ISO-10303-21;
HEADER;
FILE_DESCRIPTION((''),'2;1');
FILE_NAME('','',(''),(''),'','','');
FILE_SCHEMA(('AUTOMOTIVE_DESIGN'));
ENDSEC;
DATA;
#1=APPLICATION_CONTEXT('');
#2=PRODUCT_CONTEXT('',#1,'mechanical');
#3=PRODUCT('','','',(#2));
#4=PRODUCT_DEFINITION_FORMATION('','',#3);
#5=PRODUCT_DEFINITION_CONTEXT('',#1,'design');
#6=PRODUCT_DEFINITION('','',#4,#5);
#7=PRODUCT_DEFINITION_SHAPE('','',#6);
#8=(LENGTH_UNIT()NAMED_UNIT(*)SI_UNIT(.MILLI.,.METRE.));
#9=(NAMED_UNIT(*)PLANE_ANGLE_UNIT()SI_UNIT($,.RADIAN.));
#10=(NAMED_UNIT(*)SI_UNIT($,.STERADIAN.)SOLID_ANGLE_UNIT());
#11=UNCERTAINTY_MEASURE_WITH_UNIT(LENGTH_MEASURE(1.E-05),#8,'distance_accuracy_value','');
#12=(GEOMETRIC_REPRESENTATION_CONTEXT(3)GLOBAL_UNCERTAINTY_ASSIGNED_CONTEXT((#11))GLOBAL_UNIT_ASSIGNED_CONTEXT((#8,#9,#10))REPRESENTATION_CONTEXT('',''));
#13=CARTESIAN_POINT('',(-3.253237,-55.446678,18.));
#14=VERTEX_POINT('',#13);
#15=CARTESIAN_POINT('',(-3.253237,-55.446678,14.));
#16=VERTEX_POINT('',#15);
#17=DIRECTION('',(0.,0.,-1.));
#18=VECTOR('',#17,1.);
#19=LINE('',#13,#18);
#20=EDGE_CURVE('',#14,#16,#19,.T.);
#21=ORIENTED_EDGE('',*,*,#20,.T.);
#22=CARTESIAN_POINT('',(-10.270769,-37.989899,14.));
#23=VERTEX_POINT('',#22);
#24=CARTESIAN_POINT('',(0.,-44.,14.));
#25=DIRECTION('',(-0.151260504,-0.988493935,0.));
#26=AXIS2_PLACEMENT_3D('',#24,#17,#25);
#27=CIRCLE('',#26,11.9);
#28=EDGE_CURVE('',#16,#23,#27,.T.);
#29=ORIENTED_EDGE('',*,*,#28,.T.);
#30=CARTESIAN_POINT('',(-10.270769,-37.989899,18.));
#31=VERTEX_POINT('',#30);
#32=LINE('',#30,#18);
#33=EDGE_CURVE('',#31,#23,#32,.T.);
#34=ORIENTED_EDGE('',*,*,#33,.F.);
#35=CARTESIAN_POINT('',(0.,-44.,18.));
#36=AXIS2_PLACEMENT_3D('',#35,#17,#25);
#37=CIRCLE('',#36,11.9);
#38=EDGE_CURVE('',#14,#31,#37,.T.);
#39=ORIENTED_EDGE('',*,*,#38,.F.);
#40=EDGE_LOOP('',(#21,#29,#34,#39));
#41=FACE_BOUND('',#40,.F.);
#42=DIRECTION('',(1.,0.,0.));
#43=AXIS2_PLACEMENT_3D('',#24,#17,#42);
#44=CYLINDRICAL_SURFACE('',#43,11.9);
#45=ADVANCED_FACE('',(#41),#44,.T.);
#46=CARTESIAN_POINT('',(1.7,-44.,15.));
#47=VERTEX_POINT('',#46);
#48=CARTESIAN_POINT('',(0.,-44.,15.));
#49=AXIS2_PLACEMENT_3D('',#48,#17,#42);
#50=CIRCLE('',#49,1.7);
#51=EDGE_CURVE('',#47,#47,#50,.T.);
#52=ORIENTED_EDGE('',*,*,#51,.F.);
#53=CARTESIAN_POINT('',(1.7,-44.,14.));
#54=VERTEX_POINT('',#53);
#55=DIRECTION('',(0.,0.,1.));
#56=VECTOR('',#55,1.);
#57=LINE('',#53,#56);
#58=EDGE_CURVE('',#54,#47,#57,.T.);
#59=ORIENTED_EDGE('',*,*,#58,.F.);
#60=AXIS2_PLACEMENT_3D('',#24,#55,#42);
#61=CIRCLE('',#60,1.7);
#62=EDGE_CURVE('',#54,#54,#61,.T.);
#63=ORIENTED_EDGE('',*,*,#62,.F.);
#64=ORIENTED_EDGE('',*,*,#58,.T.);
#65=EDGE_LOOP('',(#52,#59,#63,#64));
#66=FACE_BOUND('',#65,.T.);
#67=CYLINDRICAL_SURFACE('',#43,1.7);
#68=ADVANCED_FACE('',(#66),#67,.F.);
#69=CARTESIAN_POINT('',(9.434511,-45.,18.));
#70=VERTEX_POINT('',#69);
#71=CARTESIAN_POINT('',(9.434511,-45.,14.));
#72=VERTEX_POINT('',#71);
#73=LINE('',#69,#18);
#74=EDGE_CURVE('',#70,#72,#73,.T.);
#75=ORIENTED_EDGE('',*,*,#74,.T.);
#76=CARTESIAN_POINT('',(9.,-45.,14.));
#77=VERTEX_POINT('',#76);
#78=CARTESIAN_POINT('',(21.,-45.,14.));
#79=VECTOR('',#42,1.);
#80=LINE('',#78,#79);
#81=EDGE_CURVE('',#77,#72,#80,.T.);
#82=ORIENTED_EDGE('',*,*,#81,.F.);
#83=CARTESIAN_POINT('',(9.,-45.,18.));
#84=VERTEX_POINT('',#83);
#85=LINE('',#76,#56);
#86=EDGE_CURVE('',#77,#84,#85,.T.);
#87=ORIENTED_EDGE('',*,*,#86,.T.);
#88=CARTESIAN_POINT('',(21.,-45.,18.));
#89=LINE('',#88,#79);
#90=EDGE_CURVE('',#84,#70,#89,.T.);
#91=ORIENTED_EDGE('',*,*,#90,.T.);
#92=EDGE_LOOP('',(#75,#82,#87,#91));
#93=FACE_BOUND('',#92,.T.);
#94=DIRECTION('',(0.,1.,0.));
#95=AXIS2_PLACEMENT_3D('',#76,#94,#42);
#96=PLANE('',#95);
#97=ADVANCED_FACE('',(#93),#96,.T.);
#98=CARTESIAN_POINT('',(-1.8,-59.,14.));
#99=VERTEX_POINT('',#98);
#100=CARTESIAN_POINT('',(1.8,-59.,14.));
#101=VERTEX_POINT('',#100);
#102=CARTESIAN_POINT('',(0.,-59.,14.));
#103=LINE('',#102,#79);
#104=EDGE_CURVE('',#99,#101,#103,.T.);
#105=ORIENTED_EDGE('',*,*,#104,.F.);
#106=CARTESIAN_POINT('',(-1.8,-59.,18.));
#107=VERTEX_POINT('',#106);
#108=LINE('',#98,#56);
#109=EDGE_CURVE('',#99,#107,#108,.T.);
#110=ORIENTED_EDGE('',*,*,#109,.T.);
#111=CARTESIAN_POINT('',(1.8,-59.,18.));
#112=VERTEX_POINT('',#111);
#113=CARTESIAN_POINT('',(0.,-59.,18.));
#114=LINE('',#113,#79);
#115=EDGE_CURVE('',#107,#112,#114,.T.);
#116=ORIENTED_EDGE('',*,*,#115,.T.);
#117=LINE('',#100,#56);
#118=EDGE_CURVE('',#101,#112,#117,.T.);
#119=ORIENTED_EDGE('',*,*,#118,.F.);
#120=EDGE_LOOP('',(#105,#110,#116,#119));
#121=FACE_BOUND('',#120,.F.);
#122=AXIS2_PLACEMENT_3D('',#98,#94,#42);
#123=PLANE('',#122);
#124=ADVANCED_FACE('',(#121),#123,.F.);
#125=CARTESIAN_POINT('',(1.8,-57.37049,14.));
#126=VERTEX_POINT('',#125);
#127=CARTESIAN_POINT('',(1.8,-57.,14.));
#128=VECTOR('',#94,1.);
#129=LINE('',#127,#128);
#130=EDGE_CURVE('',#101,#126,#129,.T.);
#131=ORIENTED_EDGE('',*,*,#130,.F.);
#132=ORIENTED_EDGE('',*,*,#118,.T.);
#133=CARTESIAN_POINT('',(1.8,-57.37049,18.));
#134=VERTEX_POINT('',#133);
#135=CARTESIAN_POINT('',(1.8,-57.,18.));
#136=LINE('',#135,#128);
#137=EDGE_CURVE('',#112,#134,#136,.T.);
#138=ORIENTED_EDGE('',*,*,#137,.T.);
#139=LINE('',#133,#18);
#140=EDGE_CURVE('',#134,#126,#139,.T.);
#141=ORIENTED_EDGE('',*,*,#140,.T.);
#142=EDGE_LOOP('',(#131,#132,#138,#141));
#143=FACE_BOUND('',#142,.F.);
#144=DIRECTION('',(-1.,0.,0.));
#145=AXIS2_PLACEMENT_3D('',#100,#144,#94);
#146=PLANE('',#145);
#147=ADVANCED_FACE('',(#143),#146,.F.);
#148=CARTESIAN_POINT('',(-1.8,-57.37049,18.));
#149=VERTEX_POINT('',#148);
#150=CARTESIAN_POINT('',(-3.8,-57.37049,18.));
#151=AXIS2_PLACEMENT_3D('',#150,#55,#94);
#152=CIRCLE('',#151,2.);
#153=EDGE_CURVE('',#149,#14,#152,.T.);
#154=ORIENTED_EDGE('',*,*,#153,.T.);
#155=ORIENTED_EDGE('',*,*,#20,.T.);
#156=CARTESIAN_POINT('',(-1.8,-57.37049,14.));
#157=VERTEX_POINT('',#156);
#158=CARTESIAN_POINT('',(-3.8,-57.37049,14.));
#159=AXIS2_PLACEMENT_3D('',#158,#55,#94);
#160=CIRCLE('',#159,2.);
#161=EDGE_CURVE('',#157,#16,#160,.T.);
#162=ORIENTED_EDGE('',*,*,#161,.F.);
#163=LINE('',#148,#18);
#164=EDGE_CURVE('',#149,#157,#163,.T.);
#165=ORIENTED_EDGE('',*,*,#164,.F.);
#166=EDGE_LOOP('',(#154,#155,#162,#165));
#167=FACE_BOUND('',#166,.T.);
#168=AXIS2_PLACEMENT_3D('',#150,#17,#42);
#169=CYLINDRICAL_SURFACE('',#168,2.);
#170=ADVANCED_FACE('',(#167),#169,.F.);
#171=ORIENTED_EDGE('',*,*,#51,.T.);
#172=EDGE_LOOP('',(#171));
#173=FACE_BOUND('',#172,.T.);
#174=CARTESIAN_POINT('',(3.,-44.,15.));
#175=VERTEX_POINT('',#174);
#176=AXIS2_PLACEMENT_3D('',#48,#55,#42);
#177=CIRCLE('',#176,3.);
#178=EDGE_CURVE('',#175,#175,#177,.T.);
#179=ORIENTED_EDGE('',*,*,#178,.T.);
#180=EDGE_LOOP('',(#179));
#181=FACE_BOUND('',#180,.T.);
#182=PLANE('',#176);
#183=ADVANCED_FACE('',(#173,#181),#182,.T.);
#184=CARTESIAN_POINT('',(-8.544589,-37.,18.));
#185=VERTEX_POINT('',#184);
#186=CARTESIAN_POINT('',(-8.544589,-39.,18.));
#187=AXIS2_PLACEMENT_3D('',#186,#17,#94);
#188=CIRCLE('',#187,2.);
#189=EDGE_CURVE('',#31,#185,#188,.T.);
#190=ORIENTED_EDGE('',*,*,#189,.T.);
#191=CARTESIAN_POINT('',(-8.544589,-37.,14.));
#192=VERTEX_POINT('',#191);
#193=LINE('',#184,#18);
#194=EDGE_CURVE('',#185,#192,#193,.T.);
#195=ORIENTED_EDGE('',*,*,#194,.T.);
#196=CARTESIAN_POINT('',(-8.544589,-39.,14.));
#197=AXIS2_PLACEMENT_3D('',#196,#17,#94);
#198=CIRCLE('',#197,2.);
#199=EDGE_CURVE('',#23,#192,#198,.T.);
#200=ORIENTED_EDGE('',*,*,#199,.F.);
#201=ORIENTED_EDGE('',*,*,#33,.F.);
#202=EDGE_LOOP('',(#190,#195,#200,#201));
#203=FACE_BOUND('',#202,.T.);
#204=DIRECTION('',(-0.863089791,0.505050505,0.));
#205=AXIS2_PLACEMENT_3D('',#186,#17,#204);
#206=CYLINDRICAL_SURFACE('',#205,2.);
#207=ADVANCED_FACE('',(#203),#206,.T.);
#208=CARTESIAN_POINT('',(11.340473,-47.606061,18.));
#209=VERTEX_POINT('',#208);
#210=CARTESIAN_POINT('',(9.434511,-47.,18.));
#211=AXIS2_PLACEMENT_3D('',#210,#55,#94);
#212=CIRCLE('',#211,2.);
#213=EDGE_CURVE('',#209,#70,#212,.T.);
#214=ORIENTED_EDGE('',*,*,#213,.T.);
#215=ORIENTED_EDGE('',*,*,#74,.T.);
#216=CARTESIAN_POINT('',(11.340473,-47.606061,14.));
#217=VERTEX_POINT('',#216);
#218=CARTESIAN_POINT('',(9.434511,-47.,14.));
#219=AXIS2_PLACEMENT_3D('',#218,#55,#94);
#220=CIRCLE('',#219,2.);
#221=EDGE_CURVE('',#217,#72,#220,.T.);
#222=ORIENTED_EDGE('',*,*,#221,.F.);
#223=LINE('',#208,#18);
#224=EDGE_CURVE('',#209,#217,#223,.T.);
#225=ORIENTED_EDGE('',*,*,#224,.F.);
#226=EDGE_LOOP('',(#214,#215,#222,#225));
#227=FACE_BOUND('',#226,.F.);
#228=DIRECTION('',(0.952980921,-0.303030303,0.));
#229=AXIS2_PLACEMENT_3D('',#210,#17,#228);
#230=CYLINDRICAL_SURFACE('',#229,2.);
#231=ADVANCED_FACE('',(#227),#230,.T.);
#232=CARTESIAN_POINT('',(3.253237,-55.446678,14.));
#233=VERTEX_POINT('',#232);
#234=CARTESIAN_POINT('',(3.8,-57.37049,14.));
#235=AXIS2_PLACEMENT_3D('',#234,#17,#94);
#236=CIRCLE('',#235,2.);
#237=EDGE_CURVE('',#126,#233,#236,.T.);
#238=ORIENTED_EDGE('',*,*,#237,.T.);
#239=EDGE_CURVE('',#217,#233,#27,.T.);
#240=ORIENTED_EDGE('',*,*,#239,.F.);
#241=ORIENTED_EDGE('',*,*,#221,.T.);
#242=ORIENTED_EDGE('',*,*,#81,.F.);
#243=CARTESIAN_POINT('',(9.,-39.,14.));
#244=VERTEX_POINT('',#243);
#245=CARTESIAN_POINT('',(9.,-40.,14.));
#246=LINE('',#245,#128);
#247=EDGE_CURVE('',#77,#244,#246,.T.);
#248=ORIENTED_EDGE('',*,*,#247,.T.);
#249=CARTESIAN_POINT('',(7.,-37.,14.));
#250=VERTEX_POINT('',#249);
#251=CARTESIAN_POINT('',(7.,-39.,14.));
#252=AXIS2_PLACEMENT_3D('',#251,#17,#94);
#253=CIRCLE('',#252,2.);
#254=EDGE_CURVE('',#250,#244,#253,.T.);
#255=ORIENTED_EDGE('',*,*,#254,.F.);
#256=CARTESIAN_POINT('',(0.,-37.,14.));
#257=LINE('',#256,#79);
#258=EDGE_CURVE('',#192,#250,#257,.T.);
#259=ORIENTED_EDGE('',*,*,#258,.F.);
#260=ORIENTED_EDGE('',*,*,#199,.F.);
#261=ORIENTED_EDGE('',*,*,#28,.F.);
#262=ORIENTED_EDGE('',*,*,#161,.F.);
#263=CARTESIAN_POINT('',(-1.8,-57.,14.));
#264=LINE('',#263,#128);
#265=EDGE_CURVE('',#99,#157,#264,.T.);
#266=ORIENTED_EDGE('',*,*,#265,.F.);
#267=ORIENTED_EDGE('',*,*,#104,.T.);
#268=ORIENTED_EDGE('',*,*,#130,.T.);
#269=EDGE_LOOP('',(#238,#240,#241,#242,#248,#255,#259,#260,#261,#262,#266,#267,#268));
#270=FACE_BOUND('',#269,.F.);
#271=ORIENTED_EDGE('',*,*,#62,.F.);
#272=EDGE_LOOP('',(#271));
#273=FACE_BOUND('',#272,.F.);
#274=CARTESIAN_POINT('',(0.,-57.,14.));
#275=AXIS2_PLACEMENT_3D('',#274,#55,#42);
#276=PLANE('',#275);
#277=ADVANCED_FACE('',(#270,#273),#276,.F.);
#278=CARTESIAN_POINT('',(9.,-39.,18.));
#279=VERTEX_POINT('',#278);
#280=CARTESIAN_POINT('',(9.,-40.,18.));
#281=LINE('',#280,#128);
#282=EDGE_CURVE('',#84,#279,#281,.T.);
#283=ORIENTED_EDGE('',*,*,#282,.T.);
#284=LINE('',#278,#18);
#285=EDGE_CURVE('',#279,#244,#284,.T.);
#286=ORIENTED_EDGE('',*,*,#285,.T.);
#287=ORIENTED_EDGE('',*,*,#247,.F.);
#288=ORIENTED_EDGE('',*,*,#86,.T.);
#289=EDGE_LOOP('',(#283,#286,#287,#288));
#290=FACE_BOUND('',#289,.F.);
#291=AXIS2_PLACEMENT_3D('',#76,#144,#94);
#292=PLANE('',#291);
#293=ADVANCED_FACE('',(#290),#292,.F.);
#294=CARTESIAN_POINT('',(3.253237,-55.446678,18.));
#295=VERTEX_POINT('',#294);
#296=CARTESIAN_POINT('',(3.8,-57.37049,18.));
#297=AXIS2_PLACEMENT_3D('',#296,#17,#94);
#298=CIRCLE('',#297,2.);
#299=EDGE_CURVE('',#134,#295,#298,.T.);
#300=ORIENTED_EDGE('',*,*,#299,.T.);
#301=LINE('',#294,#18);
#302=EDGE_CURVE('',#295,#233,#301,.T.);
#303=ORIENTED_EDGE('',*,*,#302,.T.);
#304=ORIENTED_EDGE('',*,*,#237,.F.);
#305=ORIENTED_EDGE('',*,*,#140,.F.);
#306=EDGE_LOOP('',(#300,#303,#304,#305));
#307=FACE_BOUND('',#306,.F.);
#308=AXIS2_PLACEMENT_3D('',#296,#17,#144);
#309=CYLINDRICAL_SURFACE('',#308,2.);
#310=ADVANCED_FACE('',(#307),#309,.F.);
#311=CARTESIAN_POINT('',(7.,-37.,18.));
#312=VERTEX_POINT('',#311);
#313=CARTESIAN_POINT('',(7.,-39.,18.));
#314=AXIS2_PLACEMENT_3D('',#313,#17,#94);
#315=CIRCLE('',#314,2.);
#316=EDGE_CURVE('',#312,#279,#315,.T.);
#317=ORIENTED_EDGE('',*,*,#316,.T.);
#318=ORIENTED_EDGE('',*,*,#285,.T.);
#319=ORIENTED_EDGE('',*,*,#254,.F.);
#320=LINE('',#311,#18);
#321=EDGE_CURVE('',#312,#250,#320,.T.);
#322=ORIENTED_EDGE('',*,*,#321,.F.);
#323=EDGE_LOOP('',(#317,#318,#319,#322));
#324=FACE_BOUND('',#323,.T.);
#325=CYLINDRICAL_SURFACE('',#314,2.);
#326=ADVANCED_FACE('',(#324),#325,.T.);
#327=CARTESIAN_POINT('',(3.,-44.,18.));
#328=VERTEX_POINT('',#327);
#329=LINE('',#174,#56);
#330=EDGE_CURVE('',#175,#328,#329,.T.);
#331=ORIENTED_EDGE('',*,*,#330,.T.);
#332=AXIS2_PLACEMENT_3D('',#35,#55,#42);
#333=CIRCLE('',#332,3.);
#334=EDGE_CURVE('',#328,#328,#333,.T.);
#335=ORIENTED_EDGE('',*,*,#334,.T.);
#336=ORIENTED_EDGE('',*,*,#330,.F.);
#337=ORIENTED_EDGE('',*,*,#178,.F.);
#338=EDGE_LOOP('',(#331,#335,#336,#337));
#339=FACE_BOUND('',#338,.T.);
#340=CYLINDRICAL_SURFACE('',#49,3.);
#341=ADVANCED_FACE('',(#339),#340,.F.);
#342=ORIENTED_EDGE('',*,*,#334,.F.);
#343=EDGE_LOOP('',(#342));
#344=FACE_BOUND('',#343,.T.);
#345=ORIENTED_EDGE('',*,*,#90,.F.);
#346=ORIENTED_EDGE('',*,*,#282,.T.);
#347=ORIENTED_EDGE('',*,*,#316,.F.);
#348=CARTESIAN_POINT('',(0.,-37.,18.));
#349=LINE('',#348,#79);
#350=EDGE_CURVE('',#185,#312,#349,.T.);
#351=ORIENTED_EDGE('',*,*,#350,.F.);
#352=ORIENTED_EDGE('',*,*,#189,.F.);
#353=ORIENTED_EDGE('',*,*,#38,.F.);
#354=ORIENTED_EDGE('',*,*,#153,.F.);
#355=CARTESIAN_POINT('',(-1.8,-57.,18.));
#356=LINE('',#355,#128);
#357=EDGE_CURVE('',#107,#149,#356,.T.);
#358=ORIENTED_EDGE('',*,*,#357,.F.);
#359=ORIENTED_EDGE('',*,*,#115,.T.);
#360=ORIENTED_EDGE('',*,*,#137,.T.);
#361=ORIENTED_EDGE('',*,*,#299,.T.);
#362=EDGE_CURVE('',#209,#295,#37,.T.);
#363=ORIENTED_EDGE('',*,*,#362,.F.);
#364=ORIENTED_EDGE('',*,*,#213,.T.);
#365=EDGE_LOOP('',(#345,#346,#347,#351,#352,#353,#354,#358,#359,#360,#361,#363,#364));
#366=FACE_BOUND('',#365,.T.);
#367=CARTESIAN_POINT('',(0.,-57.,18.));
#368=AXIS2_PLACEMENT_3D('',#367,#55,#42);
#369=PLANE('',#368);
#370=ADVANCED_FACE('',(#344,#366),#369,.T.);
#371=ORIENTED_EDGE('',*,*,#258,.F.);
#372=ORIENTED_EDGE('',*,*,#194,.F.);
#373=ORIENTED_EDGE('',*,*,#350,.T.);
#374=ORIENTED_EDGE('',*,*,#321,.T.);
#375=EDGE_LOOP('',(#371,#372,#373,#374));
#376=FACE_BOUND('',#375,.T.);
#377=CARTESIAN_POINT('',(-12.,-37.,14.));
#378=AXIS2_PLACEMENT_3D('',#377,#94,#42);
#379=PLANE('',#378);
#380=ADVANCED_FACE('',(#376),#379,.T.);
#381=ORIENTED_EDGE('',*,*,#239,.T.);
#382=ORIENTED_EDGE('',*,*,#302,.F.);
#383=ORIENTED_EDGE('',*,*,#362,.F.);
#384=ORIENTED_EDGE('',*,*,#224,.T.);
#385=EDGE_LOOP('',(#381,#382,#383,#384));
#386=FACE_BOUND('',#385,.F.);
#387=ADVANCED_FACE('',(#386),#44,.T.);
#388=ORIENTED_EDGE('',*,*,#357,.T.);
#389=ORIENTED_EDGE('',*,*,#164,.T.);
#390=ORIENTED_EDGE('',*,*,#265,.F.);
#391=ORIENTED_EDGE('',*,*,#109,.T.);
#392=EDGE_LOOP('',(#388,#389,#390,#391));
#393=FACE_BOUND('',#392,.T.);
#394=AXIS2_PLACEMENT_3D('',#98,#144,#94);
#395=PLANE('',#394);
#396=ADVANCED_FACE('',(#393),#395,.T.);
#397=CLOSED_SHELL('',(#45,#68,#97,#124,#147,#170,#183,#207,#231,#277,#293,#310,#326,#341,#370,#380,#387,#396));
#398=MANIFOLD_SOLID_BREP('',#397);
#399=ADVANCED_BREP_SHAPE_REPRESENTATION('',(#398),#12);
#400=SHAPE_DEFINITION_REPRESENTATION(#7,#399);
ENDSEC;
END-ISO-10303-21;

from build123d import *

# Parameters (mm, degrees)
CYLINDER096_R     = 3
CYLINDER096_DEPTH = 3
CYLINDER095_R     = 1.7
CYLINDER095_DEPTH = 4
BOX019_W          = 24
BOX019_H          = 10
BOX019_DEPTH      = 4
BOX020_W          = 24
BOX020_H          = 10
BOX020_DEPTH      = 4
BOX021_W          = 3.6
BOX021_H          = 4
BOX021_DEPTH      = 4
CYLINDER094_R     = 11.9
CYLINDER094_DEPTH = 4
FILLET_R          = 2


with BuildPart() as deltacylindernuthead:
    # Cylinder096 → Cylinder096 (new body)
    with BuildSketch(Plane(origin=(0, -44, 15), x_dir=(1, 0, 0), z_dir=(0, 0, 1))):
        Circle(CYLINDER096_R)
    extrude(amount=CYLINDER096_DEPTH)


with BuildPart() as deltacylinderm3:
    # Cylinder095 → Cylinder095 (new body)
    with BuildSketch(Plane(origin=(0, -44, 14), x_dir=(1, 0, 0), z_dir=(0, 0, 1))):
        Circle(CYLINDER095_R)
    extrude(amount=CYLINDER095_DEPTH)


with BuildPart() as deltacube003:
    # Box019 → Box019 (new body)
    with BuildSketch(Plane(origin=(-12, -37, 14), x_dir=(1, 0, 0), z_dir=(0, 0, 1))):
        with Locations((12, 5)):
            Rectangle(BOX019_W, BOX019_H)
    extrude(amount=BOX019_DEPTH)


with BuildPart() as deltacube004:
    # Box020 → Box020 (new body)
    with BuildSketch(Plane(origin=(9, -45, 14), x_dir=(1, 0, 0), z_dir=(0, 0, 1))):
        with Locations((12, 5)):
            Rectangle(BOX020_W, BOX020_H)
    extrude(amount=BOX020_DEPTH)


with BuildPart() as cubealignment:
    # Box021 → Box021 (new body)
    with BuildSketch(Plane(origin=(-1.8, -59, 14), x_dir=(1, 0, 0), z_dir=(0, 0, 1))):
        with Locations((1.8, 2)):
            Rectangle(BOX021_W, BOX021_H)
    extrude(amount=BOX021_DEPTH)


with BuildPart() as bearingholdertop:
    # Cylinder094 → Cylinder094 (new body)
    with BuildSketch(Plane(origin=(0, -44, 14), x_dir=(1, 0, 0), z_dir=(0, 0, 1))):
        Circle(CYLINDER094_R)
    extrude(amount=CYLINDER094_DEPTH)

    # Fusion033: union CubeAlignment
    add(cubealignment.part)

    # Cut: cut DeltaCube004
    add(deltacube004.part, mode=Mode.SUBTRACT)

    # Cut052: cut DeltaCube003
    add(deltacube003.part, mode=Mode.SUBTRACT)

    # Cut053: cut DeltaCylinderM3
    add(deltacylinderm3.part, mode=Mode.SUBTRACT)

    # Cut054: cut DeltaCylinderNutHead
    add(deltacylindernuthead.part, mode=Mode.SUBTRACT)

    # Fillet
    fillet_edges = [bearingholdertop.edges().sort_by_distance(p)[0] for p in [
        (1.8, -55.763078, 16),
        (-1.8, -55.763078, 16),
        (11.857909, -45, 16),
        (-9.623409, -37, 16),
        (9, -37, 16),
    ]]
    fillet(fillet_edges, radius=FILLET_R)


solid = bearingholdertop.part
